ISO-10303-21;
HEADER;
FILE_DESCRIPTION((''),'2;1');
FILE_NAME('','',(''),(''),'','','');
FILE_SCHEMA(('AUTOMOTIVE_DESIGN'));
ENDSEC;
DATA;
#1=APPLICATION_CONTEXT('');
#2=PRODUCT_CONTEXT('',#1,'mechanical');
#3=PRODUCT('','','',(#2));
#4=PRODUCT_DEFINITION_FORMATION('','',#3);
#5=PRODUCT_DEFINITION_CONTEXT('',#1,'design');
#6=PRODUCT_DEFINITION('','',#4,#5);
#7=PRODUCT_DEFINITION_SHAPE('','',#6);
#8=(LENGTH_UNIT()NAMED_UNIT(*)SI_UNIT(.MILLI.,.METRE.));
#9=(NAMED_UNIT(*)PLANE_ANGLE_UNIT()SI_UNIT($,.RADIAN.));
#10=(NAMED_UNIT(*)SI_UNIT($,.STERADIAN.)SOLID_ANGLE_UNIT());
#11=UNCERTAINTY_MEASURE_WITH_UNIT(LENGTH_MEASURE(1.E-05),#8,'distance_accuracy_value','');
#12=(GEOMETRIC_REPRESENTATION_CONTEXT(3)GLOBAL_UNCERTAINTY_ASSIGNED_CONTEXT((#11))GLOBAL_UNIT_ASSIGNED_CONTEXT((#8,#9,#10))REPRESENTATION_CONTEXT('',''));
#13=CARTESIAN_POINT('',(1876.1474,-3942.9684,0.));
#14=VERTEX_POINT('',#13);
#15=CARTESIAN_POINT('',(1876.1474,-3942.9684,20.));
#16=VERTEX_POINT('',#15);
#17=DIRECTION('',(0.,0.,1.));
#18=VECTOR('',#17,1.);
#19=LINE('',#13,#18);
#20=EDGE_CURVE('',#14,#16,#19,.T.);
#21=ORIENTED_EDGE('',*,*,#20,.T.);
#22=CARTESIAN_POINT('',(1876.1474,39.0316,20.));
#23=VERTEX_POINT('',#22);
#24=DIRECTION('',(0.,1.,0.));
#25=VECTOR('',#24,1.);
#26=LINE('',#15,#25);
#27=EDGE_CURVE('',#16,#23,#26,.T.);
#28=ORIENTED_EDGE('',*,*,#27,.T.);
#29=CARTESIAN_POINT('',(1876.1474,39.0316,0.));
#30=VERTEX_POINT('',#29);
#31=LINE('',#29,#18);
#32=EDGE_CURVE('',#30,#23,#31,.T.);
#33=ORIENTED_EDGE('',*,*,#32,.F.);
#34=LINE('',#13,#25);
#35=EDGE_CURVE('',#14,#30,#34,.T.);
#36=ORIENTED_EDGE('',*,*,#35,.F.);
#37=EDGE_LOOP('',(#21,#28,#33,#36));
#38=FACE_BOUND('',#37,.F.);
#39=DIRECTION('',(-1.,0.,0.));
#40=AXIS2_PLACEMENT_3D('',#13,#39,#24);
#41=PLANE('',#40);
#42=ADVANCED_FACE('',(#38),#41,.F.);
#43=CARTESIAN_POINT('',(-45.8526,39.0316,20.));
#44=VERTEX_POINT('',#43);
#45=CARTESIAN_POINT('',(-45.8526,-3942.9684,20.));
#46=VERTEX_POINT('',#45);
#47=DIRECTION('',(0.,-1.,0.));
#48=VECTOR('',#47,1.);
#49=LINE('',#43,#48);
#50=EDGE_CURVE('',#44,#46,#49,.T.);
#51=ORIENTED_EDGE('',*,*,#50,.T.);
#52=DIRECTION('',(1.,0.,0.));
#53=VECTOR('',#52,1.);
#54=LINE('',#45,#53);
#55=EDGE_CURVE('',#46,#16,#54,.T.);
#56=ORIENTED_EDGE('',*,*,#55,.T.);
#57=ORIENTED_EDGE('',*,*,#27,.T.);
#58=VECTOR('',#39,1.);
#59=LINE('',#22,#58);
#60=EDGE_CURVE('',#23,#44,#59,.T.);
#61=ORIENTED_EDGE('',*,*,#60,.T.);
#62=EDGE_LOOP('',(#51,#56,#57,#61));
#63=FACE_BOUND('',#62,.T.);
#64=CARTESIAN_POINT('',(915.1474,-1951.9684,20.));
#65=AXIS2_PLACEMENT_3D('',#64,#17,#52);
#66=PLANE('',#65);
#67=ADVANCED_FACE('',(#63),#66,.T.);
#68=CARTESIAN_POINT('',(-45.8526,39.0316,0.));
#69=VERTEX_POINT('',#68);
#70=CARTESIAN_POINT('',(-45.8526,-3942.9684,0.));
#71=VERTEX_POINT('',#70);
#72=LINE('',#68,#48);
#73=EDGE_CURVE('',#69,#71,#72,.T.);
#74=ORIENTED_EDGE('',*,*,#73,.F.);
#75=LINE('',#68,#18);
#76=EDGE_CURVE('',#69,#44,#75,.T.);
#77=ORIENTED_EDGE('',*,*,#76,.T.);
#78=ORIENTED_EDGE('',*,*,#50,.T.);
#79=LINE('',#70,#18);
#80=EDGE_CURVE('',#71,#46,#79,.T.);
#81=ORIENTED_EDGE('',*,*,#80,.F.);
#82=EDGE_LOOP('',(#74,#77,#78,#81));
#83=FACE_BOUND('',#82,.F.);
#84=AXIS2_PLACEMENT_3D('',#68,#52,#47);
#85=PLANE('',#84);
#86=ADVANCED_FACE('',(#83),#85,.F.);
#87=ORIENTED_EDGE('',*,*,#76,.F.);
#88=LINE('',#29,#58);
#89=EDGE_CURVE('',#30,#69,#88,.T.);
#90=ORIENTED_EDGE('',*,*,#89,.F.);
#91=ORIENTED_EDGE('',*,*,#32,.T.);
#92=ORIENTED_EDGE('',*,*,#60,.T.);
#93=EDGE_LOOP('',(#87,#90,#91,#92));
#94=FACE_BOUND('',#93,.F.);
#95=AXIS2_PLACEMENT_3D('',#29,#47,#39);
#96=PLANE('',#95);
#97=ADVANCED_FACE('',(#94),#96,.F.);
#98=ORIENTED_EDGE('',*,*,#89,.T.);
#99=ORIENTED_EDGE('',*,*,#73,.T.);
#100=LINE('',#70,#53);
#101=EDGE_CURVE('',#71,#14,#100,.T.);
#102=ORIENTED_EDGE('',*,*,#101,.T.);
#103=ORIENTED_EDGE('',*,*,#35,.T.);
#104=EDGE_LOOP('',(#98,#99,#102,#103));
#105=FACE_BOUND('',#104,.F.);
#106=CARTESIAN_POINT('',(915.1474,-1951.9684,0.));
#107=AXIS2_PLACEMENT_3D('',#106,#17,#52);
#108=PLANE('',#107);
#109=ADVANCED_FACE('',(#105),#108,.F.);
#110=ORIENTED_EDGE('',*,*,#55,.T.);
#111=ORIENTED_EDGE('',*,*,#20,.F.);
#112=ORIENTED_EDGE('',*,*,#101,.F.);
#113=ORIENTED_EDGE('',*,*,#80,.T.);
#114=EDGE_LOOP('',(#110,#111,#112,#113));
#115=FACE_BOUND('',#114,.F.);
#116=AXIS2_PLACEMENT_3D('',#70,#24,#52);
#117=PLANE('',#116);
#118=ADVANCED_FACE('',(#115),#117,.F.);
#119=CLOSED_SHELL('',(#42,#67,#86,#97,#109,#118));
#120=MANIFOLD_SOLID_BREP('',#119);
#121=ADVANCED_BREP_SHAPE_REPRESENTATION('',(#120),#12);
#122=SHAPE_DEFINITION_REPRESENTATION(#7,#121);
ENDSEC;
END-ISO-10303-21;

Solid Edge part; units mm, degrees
sketch "Sketch1" plane through (0, 0, 0) normal (0, 0, 1) x (1, 0, 0)
  line L0 (-45.8526, -3942.9684) -> (1876.1474, -3942.9684)
  line L1 (1876.1474, -3942.9684) -> (1876.1474, 39.0316)
  line L2 (1876.1474, 39.0316) -> (-45.8526, 39.0316)
  line L3 (-45.8526, 39.0316) -> (-45.8526, -3942.9684)
  dimension "D1" = 1922
  dimension "D2" = 3982
extrude "Protrusion1" add sketch "Sketch1" along normal blind 20
properties material "Wood, Oak"
